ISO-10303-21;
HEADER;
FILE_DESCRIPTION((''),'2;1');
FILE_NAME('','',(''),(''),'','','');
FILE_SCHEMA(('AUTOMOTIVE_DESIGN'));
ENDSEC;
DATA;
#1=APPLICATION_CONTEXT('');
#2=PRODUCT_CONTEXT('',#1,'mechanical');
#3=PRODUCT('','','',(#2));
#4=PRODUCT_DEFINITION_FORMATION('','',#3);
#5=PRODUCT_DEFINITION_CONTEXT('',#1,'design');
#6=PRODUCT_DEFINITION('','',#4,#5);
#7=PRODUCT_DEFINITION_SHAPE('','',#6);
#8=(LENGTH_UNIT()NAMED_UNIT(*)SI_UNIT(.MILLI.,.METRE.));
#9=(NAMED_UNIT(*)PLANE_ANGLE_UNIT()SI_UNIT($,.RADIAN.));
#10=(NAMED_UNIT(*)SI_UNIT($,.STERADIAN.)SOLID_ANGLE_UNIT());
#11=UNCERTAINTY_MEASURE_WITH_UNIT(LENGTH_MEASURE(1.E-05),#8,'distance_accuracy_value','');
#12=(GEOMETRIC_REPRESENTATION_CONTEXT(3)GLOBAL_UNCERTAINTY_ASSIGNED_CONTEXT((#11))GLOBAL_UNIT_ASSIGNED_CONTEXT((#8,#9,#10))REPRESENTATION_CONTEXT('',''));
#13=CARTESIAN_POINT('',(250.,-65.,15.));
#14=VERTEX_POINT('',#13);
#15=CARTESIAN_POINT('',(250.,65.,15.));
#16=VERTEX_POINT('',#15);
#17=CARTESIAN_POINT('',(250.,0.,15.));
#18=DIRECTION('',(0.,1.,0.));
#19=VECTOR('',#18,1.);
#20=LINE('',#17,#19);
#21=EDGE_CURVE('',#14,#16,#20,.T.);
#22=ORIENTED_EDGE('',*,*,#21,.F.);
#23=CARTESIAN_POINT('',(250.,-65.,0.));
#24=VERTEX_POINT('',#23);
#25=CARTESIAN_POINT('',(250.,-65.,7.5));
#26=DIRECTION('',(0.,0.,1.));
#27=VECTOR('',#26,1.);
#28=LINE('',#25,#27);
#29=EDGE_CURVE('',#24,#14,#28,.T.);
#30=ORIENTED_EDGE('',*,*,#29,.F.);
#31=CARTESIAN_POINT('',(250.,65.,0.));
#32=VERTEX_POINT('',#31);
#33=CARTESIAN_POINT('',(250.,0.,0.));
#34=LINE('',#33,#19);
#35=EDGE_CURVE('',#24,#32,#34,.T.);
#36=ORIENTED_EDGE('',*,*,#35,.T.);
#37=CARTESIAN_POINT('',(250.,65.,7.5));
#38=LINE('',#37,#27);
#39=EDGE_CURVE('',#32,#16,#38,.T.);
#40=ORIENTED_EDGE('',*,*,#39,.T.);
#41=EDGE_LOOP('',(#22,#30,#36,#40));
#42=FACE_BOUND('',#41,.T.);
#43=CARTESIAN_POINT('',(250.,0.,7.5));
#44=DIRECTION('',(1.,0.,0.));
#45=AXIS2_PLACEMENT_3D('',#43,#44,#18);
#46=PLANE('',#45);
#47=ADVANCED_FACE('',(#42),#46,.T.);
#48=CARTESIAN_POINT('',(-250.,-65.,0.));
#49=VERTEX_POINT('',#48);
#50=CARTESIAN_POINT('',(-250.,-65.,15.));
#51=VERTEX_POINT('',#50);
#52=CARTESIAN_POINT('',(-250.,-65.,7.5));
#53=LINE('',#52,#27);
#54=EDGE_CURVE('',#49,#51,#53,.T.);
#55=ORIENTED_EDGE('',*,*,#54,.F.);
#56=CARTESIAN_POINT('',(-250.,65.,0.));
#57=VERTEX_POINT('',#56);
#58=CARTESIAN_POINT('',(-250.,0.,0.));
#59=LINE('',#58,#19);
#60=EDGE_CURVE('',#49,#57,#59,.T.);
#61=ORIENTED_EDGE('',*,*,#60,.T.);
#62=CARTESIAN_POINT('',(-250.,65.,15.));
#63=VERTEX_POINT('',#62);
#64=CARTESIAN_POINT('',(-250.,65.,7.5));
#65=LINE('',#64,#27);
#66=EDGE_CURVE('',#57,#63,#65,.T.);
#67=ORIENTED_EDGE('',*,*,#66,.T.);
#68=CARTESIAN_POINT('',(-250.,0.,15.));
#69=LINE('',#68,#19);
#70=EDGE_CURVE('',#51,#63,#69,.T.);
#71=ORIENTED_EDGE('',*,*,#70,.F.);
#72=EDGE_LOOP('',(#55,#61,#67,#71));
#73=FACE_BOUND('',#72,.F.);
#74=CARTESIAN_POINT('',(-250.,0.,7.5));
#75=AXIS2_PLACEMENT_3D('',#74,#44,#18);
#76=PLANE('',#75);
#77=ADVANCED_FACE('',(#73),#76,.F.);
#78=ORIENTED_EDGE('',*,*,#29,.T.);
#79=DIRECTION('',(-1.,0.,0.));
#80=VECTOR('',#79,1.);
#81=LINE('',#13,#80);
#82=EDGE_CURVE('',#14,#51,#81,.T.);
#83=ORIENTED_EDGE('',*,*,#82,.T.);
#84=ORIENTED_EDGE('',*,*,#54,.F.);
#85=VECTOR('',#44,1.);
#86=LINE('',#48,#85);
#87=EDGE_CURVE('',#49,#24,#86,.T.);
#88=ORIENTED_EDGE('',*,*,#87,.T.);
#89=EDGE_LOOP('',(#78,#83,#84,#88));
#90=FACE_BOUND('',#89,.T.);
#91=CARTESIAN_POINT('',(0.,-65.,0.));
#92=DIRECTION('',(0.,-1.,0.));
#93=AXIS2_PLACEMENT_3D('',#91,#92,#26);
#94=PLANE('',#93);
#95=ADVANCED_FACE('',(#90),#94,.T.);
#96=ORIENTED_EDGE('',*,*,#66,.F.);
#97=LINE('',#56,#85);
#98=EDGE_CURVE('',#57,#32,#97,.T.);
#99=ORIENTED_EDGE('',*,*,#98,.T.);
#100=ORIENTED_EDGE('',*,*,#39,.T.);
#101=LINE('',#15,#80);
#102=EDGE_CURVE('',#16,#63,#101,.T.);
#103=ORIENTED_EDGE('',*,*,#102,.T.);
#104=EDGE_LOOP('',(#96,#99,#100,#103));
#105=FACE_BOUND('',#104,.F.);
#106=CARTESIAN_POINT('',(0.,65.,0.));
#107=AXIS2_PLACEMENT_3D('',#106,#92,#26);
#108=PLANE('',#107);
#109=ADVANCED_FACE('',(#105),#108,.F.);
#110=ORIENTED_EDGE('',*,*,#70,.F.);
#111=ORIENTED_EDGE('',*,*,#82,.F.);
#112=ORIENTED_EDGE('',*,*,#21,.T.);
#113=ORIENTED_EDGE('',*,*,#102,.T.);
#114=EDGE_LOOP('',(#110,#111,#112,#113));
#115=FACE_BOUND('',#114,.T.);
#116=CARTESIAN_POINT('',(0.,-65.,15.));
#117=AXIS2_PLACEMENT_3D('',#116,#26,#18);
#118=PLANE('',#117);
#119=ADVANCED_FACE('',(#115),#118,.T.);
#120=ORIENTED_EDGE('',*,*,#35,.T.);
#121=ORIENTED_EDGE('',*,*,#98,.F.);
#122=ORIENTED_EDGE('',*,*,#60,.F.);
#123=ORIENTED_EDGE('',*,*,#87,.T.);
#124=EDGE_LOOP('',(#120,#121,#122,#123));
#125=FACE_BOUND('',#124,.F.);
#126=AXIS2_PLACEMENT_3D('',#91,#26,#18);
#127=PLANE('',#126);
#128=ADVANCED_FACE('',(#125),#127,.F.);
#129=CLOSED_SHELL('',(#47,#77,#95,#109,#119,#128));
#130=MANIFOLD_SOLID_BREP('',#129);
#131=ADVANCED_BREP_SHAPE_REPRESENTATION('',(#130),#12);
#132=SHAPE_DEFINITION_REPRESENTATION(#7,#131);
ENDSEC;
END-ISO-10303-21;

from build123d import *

# Parameters (mm, degrees)
F0_W          = 130
F0_H          = 15
F1_DEPTH      = 250
F1_DEPTH_BACK = 250


with BuildPart() as f1:
    # F0 (on Right) → F1 (new body, two sides)
    with BuildSketch(Plane.YZ) as f1_sk:
        with Locations((0, 7.5)):
            Rectangle(F0_W, F0_H)
    extrude(amount=-F1_DEPTH)
    extrude(f1_sk.sketch, amount=F1_DEPTH_BACK)


solid = f1.part
